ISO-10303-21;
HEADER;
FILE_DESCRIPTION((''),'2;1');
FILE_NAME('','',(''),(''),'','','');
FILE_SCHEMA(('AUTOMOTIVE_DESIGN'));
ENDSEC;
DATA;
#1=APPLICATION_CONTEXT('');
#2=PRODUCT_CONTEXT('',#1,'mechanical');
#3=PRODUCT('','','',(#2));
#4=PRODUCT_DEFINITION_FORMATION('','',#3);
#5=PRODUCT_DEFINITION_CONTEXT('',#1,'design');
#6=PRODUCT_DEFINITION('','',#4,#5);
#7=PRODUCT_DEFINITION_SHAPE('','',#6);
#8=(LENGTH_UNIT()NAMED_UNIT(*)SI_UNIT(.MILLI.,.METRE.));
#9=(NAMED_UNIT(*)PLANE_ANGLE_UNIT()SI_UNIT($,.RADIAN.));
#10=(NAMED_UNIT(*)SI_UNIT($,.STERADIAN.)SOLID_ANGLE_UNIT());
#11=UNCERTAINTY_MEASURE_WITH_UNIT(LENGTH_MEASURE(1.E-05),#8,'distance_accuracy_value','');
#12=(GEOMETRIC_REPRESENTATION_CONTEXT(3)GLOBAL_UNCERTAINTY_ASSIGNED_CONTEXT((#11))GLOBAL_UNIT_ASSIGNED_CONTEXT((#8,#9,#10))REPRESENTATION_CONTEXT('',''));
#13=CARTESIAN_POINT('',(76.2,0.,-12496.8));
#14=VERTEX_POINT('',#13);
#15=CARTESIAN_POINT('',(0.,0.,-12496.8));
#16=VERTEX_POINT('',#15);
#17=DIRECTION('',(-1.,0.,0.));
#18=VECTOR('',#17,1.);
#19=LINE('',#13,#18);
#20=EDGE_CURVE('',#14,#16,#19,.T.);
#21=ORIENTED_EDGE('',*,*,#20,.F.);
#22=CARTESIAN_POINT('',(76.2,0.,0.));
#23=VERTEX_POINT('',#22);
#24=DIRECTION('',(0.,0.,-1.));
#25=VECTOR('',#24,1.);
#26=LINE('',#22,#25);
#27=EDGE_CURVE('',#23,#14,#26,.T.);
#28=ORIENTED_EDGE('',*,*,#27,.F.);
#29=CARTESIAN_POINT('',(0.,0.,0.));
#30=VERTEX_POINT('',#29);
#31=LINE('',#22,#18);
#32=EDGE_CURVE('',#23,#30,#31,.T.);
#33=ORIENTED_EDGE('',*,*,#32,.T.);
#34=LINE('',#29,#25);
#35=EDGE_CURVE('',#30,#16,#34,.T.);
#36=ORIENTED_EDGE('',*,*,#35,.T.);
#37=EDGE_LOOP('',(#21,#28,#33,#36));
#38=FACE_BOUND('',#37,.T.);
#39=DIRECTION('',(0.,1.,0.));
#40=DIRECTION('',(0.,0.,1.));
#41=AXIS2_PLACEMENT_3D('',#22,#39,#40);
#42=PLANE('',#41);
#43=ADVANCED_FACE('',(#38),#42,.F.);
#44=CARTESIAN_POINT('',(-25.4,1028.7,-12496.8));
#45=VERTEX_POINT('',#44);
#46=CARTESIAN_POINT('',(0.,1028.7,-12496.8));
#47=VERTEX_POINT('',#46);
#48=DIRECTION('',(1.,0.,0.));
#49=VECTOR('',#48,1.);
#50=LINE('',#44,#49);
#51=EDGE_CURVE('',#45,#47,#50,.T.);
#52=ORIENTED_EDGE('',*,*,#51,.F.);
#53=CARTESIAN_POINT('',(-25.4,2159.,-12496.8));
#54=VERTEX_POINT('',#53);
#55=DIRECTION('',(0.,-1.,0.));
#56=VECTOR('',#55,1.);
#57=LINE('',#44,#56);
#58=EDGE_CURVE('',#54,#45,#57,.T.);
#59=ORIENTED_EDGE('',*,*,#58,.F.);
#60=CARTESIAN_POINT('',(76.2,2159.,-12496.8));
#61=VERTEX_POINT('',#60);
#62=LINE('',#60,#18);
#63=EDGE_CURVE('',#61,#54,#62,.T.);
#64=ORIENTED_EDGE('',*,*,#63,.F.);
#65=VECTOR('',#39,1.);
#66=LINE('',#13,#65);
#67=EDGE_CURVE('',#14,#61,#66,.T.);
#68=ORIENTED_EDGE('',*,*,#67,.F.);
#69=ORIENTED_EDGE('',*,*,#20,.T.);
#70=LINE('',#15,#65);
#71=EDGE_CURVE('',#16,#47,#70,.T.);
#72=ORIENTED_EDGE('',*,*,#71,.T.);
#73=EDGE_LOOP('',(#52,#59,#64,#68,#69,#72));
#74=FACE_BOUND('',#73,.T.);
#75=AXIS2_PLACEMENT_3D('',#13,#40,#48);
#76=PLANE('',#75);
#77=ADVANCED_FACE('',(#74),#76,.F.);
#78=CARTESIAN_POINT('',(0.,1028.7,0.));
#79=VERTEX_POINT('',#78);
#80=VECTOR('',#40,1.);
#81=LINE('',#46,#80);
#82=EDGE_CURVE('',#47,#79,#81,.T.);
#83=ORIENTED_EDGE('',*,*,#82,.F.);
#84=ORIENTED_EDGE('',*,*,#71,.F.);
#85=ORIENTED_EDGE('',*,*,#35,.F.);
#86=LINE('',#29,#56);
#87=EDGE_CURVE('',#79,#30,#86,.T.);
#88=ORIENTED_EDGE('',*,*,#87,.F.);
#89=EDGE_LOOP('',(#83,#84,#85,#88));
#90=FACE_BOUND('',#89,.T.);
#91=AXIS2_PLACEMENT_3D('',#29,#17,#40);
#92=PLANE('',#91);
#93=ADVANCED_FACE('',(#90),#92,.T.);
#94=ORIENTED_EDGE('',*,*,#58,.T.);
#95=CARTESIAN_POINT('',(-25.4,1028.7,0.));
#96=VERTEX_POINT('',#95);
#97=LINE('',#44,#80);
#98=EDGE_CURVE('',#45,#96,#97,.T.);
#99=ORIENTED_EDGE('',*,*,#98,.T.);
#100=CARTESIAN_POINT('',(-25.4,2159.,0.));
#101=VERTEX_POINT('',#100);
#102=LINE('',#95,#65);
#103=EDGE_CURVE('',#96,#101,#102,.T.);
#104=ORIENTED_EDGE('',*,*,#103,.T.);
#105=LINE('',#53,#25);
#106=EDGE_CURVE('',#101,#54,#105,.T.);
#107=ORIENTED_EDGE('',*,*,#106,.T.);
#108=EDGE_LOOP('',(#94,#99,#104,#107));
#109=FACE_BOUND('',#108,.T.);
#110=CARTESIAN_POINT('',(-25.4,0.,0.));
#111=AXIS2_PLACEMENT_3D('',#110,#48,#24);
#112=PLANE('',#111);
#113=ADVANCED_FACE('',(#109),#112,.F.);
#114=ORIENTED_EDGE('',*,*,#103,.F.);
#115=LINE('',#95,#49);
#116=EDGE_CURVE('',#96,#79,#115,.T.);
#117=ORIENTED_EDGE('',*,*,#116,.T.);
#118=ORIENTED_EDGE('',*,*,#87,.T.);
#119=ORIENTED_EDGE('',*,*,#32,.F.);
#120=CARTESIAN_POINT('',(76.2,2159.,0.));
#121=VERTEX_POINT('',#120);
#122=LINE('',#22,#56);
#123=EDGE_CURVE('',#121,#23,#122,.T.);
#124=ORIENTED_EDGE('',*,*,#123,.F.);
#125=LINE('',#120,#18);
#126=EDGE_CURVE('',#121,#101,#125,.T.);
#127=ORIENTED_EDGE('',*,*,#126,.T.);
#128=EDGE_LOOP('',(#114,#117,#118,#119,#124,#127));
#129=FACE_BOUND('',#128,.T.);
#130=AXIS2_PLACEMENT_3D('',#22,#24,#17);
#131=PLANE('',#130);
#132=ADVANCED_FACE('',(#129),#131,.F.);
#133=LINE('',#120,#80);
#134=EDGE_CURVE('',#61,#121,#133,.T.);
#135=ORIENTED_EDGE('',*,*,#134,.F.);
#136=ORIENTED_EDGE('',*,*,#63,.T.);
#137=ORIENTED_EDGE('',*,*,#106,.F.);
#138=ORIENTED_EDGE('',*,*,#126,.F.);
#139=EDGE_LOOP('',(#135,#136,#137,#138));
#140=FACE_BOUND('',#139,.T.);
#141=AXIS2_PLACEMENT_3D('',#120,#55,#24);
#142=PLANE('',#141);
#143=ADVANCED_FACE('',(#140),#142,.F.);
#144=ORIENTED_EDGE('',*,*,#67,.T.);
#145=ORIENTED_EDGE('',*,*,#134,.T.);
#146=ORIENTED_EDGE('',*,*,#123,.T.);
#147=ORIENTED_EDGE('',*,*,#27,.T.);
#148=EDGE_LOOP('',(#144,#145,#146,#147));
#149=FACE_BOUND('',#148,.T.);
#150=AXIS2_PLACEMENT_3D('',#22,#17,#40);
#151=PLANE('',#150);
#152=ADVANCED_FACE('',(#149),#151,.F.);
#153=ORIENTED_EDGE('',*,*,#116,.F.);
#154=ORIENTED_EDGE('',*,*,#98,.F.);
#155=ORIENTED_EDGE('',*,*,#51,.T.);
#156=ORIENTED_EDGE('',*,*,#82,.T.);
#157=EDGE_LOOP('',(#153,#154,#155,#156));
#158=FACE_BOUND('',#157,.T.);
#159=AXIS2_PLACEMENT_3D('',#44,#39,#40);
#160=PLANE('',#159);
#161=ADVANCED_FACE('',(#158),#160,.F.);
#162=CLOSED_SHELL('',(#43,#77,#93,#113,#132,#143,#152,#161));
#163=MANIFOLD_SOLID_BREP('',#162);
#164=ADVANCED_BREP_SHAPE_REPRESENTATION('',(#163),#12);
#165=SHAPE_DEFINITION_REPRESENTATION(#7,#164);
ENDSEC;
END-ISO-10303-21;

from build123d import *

# Parameters (mm, degrees)
SKETCH1_W           = 12496.8
SKETCH1_H           = 2159
BOSS_EXTRUDE1_DEPTH = 76.2
SKETCH2_W           = 12496.8
SKETCH2_H           = 1130.3
BOSS_EXTRUDE2_DEPTH = 25.4


with BuildPart() as part:
    # Sketch1 → Boss-Extrude1 (new body)
    with BuildSketch(Plane(origin=(0, 0, 0), x_dir=(0, 0, -1), z_dir=(1, 0, 0))):
        with Locations((6248.4, 1079.5)):
            Rectangle(SKETCH1_W, SKETCH1_H)
    extrude(amount=BOSS_EXTRUDE1_DEPTH)

    # Sketch2 → Boss-Extrude2 (add)
    with BuildSketch(Plane.ZY):
        with Locations((-6248.4, 1593.85)):
            Rectangle(SKETCH2_W, SKETCH2_H)
    extrude(amount=BOSS_EXTRUDE2_DEPTH)


solid = part.part
